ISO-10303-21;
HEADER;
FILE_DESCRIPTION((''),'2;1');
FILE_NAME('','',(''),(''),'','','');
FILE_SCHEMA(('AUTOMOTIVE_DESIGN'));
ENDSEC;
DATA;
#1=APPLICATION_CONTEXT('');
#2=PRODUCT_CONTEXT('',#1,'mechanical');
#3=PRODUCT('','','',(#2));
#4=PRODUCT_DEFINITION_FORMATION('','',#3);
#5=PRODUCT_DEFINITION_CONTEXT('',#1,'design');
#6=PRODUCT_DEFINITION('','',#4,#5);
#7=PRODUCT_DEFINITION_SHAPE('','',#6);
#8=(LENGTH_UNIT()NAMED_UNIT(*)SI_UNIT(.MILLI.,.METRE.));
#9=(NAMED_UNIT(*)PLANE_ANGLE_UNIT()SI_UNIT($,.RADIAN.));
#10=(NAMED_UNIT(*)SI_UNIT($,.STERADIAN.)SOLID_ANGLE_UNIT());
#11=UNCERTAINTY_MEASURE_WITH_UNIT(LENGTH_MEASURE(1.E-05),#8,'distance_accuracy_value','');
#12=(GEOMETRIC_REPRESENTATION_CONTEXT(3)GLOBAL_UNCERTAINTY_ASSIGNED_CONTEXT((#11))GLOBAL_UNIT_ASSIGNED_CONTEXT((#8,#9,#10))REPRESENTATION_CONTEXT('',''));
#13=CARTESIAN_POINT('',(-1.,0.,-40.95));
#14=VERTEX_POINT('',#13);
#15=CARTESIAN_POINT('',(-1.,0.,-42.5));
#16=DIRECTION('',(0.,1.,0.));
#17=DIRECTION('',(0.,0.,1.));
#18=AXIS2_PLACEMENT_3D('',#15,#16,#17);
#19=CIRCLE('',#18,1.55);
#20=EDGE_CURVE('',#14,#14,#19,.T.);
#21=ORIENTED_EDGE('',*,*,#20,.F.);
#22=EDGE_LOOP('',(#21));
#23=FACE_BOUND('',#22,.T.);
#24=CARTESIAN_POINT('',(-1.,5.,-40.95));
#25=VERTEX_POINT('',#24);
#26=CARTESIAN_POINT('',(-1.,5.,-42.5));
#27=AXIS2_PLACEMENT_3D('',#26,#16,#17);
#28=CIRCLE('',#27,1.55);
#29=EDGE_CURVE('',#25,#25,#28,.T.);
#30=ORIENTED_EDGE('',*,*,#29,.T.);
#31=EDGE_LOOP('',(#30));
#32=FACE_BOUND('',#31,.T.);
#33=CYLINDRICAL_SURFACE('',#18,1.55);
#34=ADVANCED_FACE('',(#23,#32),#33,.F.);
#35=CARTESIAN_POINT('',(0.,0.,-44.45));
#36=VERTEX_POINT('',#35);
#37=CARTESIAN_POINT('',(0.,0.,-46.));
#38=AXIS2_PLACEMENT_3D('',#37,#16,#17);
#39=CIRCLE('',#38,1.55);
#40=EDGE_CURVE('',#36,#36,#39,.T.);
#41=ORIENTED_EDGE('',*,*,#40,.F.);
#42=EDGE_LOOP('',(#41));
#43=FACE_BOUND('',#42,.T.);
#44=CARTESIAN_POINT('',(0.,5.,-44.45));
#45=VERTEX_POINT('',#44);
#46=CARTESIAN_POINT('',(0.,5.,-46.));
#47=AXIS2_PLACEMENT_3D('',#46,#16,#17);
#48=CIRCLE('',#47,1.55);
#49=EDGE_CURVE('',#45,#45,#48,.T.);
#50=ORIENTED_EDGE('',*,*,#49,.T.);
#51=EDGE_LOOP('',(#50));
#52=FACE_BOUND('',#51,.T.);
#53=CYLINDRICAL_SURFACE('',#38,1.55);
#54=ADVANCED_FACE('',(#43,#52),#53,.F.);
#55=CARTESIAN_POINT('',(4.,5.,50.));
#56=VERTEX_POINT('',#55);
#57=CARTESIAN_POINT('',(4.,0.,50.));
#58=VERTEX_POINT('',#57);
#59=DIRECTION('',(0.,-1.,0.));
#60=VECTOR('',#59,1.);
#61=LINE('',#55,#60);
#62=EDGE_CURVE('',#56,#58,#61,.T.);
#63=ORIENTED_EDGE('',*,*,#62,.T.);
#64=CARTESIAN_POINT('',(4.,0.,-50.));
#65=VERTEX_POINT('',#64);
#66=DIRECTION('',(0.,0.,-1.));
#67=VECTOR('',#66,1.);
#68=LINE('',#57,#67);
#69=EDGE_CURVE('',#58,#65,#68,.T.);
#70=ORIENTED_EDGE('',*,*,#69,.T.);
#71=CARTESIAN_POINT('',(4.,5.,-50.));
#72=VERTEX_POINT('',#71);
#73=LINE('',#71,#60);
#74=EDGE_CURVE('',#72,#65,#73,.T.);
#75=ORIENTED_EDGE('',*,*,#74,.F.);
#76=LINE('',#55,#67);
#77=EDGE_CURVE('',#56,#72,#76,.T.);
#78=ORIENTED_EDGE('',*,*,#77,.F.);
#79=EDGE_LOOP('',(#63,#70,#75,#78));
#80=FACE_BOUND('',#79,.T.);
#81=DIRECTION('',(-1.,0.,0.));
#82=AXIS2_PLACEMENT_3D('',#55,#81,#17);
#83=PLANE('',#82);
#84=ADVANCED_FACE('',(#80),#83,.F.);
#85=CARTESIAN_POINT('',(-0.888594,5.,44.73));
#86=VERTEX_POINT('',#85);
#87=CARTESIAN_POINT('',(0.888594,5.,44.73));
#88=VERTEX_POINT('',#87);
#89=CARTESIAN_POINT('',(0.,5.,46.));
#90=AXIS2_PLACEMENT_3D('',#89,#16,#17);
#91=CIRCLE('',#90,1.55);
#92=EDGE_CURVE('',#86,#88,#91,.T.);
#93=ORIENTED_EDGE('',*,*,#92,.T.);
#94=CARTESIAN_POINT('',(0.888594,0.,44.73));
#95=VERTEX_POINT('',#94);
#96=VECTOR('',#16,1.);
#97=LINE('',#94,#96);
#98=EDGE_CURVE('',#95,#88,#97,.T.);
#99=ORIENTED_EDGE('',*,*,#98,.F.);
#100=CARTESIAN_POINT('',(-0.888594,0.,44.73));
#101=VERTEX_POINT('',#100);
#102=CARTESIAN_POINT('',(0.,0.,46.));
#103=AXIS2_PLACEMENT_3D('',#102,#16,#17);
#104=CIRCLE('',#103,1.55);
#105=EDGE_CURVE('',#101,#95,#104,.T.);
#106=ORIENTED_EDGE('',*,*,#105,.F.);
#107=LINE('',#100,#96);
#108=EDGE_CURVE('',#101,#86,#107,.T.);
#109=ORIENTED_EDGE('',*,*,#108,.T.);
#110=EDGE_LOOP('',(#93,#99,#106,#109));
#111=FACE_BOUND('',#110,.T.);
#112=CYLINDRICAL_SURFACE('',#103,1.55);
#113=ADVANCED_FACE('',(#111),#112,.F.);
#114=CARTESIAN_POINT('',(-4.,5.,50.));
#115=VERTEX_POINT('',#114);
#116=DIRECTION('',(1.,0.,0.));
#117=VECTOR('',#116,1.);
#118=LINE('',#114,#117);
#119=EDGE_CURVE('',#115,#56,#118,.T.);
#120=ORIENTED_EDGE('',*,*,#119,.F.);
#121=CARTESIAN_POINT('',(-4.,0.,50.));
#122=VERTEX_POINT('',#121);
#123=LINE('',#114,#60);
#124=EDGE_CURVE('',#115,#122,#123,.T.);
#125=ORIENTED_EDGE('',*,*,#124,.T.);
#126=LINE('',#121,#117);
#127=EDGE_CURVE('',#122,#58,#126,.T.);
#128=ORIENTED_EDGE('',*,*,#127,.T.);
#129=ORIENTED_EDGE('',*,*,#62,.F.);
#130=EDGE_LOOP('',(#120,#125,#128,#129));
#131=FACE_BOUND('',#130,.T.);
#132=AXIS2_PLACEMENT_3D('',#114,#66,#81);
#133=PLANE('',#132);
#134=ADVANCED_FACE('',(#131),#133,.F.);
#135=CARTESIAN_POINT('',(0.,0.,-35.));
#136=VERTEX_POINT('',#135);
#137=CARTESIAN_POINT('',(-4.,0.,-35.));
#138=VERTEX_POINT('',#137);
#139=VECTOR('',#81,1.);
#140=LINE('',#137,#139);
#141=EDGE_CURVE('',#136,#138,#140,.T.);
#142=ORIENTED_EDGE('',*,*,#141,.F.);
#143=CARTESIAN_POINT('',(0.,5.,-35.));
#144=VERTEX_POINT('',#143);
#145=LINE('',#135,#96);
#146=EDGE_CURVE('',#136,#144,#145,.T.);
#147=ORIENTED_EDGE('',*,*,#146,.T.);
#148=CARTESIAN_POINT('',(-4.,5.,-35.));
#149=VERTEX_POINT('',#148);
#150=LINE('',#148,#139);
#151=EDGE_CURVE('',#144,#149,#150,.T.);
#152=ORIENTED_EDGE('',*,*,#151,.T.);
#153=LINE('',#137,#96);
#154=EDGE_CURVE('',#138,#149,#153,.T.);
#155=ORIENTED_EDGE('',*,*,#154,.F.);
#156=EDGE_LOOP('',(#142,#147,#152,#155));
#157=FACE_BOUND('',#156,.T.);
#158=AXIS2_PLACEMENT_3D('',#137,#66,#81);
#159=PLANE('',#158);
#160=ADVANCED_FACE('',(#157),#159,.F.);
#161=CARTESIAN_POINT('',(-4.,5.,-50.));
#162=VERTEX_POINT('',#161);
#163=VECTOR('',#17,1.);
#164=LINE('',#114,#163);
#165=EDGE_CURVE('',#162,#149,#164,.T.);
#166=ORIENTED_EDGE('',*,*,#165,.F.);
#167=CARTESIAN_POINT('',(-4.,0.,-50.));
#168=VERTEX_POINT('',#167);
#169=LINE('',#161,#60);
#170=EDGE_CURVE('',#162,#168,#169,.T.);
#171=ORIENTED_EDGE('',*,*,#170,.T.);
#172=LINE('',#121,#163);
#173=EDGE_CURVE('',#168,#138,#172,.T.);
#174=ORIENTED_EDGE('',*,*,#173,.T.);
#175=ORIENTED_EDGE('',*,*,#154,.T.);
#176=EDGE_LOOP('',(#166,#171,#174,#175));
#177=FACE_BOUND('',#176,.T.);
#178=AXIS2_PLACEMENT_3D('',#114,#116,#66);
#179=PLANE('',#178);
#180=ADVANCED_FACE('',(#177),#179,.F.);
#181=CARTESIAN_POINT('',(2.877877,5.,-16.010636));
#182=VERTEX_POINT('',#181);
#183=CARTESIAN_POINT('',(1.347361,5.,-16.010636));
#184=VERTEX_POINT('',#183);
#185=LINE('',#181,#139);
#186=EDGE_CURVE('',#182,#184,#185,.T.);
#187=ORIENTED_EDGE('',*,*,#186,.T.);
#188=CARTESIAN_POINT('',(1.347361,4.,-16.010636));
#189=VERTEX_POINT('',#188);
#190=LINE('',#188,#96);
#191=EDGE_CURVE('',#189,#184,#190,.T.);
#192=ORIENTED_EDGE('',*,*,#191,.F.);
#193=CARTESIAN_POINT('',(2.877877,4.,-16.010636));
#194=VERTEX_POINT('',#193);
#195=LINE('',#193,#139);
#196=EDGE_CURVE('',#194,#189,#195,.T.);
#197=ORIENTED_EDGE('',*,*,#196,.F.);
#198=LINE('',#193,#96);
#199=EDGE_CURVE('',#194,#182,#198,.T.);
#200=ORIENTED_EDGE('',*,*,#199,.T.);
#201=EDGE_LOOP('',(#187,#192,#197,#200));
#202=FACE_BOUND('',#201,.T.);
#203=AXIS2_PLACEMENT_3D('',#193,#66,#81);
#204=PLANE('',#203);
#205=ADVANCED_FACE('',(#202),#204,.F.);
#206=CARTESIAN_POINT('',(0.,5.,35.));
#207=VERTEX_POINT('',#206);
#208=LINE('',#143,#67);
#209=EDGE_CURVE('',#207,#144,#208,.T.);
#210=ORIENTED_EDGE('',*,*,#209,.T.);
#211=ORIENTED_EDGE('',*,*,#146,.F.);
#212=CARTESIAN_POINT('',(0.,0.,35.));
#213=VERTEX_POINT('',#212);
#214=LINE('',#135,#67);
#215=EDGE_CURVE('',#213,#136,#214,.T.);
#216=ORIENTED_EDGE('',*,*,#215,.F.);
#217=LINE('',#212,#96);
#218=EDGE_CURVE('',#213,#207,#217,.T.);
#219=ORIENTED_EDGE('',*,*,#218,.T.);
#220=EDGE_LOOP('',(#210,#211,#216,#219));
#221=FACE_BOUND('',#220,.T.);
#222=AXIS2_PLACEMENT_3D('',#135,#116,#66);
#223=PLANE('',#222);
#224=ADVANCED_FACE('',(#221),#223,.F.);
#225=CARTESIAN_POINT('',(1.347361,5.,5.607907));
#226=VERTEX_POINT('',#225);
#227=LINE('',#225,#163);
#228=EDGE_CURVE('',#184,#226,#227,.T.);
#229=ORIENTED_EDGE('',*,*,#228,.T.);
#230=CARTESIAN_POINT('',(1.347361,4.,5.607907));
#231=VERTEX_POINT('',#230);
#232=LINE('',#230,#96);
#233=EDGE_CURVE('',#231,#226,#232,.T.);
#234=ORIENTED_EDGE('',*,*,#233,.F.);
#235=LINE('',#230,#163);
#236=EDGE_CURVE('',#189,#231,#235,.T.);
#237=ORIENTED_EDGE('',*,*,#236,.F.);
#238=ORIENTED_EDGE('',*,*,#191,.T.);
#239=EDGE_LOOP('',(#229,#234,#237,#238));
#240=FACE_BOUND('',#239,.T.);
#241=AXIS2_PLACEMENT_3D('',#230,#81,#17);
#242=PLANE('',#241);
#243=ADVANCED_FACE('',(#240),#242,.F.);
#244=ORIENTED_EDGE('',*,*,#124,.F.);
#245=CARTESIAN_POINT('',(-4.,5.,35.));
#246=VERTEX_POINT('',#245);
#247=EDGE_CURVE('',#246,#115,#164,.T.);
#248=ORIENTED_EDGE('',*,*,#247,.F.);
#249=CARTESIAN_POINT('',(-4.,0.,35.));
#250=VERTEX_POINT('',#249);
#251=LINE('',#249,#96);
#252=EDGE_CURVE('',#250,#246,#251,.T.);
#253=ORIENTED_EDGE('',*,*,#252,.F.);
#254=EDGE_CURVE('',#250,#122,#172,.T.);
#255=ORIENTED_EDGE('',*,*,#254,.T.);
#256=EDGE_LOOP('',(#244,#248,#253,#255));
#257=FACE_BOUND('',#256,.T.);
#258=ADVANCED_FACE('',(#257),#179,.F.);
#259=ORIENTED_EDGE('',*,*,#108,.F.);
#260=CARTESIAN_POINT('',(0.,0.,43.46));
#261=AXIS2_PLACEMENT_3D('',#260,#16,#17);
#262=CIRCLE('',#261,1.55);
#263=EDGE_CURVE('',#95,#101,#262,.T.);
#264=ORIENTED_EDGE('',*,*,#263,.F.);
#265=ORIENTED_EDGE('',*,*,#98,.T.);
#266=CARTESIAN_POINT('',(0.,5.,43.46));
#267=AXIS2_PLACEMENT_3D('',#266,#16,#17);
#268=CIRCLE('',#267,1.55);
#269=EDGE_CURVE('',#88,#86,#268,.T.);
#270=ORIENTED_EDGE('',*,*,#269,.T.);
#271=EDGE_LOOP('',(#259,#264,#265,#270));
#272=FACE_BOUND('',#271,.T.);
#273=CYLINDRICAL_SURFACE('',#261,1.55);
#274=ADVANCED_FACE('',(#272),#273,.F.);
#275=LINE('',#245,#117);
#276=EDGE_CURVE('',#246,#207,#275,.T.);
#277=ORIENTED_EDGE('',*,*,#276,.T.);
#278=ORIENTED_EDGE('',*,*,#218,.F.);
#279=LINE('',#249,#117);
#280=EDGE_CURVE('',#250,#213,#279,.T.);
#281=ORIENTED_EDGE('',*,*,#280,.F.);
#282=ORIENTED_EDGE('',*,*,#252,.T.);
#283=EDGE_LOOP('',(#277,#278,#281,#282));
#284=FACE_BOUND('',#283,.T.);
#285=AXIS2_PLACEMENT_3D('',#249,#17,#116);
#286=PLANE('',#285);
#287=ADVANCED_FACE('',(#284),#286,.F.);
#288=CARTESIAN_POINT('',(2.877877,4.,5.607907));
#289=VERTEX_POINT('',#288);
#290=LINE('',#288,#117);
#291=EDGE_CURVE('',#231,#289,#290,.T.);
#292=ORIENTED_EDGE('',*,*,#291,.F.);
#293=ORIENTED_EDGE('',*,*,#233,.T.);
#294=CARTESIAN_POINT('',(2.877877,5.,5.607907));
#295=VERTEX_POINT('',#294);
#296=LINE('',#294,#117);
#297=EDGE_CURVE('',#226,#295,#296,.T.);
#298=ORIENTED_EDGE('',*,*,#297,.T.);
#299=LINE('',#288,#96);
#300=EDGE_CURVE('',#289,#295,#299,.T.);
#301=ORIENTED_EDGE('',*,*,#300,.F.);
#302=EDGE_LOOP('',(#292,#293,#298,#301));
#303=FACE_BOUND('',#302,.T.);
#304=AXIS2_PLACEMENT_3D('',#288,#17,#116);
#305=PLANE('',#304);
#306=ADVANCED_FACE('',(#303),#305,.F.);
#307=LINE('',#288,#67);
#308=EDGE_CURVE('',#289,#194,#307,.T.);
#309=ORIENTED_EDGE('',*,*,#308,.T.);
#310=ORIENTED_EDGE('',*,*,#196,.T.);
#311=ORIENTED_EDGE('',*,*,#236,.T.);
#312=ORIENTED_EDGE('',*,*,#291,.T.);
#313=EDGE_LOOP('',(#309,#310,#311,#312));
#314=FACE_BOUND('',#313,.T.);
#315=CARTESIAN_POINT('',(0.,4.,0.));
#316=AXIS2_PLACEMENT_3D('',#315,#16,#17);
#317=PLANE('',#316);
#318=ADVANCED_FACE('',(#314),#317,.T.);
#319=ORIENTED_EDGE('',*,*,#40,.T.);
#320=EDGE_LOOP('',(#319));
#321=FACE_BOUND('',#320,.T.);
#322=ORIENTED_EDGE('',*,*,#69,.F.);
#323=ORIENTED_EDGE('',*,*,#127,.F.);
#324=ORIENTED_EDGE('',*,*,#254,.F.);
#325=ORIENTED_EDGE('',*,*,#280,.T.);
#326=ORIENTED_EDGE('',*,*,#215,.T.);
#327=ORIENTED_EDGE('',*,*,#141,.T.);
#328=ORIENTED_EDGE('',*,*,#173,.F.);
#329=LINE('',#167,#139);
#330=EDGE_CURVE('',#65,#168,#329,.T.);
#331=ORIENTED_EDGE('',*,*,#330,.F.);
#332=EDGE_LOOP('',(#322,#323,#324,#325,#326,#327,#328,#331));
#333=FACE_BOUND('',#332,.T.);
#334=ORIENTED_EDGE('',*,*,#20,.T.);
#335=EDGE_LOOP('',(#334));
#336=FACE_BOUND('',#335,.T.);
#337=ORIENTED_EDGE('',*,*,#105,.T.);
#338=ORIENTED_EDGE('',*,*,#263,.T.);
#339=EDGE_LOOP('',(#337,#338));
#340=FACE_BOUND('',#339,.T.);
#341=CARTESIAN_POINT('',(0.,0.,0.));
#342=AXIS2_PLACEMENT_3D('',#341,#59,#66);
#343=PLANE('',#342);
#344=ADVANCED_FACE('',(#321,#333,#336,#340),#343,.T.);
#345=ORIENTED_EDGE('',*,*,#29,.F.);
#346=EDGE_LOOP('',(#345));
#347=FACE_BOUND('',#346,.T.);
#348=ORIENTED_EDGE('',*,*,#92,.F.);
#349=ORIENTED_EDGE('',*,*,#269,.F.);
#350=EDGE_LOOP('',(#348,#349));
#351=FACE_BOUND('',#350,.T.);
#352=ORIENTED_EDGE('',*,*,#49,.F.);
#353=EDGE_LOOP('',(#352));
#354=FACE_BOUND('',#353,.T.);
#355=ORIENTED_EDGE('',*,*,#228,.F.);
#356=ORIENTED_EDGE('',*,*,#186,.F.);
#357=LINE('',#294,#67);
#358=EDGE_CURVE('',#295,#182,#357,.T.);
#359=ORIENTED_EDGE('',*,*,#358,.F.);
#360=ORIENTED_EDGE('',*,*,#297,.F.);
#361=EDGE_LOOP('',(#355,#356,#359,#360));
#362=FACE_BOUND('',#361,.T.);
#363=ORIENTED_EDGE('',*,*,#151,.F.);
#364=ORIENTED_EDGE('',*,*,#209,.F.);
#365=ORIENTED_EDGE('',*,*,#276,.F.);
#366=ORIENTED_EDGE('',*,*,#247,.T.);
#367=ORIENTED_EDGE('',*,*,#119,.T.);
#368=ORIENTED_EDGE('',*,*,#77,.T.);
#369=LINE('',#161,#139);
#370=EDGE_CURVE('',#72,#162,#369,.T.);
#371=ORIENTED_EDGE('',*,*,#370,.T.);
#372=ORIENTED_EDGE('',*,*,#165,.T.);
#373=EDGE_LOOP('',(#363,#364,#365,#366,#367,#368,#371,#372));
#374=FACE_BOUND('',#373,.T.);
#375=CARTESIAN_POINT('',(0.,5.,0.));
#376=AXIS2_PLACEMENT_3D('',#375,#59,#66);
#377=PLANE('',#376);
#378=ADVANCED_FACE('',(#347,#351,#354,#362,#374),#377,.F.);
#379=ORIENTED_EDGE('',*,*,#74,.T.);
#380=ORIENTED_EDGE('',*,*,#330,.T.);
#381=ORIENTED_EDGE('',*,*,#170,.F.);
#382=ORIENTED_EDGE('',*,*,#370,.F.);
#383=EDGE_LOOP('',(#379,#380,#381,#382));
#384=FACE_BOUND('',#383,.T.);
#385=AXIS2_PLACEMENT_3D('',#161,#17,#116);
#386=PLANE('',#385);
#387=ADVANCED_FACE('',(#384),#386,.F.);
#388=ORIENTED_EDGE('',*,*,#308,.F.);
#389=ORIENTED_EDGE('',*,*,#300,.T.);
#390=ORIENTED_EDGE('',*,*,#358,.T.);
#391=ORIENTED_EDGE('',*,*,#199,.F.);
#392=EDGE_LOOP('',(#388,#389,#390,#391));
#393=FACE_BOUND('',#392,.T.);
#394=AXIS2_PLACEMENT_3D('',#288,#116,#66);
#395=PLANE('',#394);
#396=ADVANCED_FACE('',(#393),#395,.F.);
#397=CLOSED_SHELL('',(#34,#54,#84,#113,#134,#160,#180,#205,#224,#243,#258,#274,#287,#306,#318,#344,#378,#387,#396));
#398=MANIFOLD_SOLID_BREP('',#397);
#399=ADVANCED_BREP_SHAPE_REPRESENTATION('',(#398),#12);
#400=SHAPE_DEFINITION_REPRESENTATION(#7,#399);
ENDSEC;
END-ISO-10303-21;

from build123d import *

# Parameters (mm, degrees)
SKETCH1_W      = 8
SKETCH1_H      = 100
EXTRUDE1_DEPTH = 5
SKETCH2_R      = 1.55
EXTRUDE4_DEPTH = 5
SKETCH4_R      = 1.55
EXTRUDE6_DEPTH = 5
SKETCH5_W      = 4
SKETCH5_H      = 70
EXTRUDE7_DEPTH = 5
SKETCH6_W      = 1.530516358
SKETCH6_H      = 21.618543552
EXTRUDE8_DEPTH = 1


with BuildPart() as part:
    # Sketch1 → Extrude1 (new body)
    with BuildSketch(Plane(origin=(0, 0, 0), x_dir=(1, 0, 0), z_dir=(0, 1, 0))):
        Rectangle(SKETCH1_W, SKETCH1_H)
    extrude(amount=EXTRUDE1_DEPTH)

    # Sketch2 → Extrude4 (cut)
    with BuildSketch(Plane(origin=(0, 5, 0), x_dir=(1, 0, 0), z_dir=(0, 1, 0))):
        with Locations(Location((0, -46, 0), (0, 0, 270))):
            Circle(SKETCH2_R)
    extrude(amount=-EXTRUDE4_DEPTH, mode=Mode.SUBTRACT)

    # Sketch4 → Extrude6 (cut)
    with BuildSketch(Plane(origin=(0, 5, 0), x_dir=(1, 0, 0), z_dir=(0, 1, 0))):
        with Locations((0, -43.46)):
            Circle(SKETCH4_R)
        with Locations((0, -46)):
            Circle(SKETCH4_R)
        with Locations(Location((-1, 42.5, 0), (0, 0, 270))):
            Circle(SKETCH4_R)
        with Locations(Location((0, 46, 0), (0, 0, 270))):
            Circle(SKETCH4_R)
    extrude(amount=-EXTRUDE6_DEPTH, mode=Mode.SUBTRACT)

    # Sketch5 → Extrude7 (cut)
    with BuildSketch(Plane(origin=(0, 5, 0), x_dir=(1, 0, 0), z_dir=(0, 1, 0))):
        with Locations((-2, 0)):
            Rectangle(SKETCH5_W, SKETCH5_H)
    extrude(amount=-EXTRUDE7_DEPTH, mode=Mode.SUBTRACT)

    # Sketch6 → Extrude8 (cut)
    with BuildSketch(Plane(origin=(0, 5, 0), x_dir=(1, 0, 0), z_dir=(0, 1, 0))):
        with Locations((2.112618746, 5.201364346)):
            Rectangle(SKETCH6_W, SKETCH6_H)
    extrude(amount=-EXTRUDE8_DEPTH, mode=Mode.SUBTRACT)


solid = part.part
